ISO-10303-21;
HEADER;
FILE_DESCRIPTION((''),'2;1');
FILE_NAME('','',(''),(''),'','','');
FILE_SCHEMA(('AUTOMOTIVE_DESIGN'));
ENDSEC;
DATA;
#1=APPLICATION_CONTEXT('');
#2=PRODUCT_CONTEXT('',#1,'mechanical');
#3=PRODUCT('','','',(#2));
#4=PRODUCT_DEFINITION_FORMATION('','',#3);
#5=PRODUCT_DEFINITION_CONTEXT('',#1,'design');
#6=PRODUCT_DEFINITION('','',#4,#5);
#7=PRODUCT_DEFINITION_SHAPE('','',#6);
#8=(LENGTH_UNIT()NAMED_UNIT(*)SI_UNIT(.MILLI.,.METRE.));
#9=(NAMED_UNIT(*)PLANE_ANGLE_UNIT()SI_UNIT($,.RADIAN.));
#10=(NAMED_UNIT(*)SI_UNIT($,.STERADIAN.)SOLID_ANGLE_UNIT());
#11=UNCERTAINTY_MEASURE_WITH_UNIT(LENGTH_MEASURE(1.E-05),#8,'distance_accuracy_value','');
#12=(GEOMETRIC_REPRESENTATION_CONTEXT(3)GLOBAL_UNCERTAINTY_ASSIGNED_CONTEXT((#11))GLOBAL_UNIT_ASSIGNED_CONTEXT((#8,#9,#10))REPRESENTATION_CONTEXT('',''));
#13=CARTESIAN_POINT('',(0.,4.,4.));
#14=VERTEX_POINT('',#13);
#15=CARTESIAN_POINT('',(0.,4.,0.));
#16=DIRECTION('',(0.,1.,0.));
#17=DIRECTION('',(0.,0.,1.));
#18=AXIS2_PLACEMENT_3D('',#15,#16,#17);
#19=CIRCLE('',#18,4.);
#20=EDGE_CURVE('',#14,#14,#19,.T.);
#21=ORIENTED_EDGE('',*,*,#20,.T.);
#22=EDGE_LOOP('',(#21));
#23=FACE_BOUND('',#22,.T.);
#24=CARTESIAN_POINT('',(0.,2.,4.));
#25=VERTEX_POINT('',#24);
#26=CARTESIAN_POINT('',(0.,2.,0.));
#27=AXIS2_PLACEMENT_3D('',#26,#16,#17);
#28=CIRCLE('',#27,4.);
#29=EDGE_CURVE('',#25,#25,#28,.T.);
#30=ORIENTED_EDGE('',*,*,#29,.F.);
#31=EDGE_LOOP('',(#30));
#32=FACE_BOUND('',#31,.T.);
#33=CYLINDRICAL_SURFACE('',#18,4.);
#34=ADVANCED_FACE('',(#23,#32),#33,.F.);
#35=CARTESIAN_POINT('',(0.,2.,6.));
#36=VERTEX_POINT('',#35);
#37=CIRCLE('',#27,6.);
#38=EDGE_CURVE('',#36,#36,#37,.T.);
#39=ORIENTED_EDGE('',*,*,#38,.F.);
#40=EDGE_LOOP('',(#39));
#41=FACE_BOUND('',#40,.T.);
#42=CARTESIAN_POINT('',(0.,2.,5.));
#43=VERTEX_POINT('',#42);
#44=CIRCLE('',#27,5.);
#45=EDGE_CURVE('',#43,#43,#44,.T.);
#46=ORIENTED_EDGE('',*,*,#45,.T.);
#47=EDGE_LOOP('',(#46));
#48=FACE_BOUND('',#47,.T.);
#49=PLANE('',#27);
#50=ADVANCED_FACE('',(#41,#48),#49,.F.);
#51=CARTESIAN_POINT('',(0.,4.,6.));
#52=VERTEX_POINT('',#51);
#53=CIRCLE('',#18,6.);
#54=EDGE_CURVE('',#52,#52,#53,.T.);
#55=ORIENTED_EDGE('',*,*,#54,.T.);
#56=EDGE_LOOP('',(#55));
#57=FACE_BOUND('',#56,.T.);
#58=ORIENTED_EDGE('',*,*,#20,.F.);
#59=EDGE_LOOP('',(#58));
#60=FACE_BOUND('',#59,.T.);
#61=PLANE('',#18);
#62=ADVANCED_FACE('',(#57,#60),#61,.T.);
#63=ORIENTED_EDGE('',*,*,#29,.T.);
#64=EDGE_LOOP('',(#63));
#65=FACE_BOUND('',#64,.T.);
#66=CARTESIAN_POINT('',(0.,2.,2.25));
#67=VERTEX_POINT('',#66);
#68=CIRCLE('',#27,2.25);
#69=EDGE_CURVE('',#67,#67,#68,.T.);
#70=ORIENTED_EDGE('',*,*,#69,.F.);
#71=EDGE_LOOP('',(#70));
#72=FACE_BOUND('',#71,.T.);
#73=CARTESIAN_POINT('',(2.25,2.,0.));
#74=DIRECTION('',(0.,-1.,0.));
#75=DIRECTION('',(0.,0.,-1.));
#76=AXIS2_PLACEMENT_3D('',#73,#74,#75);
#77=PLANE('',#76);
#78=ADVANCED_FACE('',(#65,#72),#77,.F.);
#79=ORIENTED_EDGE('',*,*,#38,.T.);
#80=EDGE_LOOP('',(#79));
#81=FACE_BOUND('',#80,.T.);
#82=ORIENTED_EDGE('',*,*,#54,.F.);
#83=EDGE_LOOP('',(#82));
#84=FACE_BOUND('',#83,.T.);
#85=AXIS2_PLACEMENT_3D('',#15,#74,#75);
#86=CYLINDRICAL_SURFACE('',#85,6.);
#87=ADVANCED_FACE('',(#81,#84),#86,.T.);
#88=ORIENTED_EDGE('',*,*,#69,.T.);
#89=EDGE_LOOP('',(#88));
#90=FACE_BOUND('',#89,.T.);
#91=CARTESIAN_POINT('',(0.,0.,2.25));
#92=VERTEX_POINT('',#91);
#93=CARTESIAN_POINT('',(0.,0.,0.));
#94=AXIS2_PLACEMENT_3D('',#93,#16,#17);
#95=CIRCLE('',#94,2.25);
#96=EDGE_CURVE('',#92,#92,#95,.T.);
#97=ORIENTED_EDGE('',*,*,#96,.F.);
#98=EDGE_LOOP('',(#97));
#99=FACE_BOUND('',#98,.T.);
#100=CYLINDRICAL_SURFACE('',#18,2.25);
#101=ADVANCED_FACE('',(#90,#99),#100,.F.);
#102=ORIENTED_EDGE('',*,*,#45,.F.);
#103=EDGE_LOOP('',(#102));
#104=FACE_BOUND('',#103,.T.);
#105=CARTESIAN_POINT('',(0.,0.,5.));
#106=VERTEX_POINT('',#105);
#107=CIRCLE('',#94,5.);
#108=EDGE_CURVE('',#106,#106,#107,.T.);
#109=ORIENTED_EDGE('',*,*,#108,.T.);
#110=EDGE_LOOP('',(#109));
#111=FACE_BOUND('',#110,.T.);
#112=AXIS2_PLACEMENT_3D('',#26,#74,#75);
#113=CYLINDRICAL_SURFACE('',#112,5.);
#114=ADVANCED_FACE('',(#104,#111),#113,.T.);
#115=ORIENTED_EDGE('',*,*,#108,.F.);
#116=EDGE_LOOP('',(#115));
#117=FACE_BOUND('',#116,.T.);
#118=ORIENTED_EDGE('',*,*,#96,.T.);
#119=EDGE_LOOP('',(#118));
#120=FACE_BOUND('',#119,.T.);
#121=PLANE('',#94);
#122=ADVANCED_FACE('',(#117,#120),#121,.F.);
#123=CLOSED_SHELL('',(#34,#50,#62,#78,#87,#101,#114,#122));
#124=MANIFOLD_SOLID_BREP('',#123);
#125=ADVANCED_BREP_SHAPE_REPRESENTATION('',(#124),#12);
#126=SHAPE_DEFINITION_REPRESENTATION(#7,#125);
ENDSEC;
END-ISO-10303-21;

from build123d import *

# Parameters (mm, degrees)
SKETCH_1_R                   = 5
EXTRUDE_1_DEPTH              = 2
SKETCH_2_R                   = 6
EXTRUDE_2_DEPTH              = 2
HOLE_WIZARD_M4_1_D           = 4.5
HOLE_WIZARD_M4_1_CBORE_D     = 8
HOLE_WIZARD_M4_1_CBORE_DEPTH = 2


with BuildPart() as part:
    # 스케치1 → 보스-돌출1 (new body)
    with BuildSketch(Plane(origin=(0, 0, 0), x_dir=(1, 0, 0), z_dir=(0, 1, 0))):
        Circle(SKETCH_1_R)
    extrude(amount=EXTRUDE_1_DEPTH)

    # 스케치2 → 보스-돌출2 (add)
    with BuildSketch(Plane(origin=(0, 2, 0), x_dir=(1, 0, 0), z_dir=(0, 1, 0))):
        Circle(SKETCH_2_R)
    extrude(amount=EXTRUDE_2_DEPTH)

    # M4 육각 소켓 머리 캡 나사용 카운터보어1 (through all)
    with Locations(Plane(origin=(0, 4, 0), x_dir=(1, 0, 0), z_dir=(0, 1, 0))):
        with Locations((0, 0)):
            CounterBoreHole(HOLE_WIZARD_M4_1_D / 2, HOLE_WIZARD_M4_1_CBORE_D / 2, HOLE_WIZARD_M4_1_CBORE_DEPTH)


solid = part.part
